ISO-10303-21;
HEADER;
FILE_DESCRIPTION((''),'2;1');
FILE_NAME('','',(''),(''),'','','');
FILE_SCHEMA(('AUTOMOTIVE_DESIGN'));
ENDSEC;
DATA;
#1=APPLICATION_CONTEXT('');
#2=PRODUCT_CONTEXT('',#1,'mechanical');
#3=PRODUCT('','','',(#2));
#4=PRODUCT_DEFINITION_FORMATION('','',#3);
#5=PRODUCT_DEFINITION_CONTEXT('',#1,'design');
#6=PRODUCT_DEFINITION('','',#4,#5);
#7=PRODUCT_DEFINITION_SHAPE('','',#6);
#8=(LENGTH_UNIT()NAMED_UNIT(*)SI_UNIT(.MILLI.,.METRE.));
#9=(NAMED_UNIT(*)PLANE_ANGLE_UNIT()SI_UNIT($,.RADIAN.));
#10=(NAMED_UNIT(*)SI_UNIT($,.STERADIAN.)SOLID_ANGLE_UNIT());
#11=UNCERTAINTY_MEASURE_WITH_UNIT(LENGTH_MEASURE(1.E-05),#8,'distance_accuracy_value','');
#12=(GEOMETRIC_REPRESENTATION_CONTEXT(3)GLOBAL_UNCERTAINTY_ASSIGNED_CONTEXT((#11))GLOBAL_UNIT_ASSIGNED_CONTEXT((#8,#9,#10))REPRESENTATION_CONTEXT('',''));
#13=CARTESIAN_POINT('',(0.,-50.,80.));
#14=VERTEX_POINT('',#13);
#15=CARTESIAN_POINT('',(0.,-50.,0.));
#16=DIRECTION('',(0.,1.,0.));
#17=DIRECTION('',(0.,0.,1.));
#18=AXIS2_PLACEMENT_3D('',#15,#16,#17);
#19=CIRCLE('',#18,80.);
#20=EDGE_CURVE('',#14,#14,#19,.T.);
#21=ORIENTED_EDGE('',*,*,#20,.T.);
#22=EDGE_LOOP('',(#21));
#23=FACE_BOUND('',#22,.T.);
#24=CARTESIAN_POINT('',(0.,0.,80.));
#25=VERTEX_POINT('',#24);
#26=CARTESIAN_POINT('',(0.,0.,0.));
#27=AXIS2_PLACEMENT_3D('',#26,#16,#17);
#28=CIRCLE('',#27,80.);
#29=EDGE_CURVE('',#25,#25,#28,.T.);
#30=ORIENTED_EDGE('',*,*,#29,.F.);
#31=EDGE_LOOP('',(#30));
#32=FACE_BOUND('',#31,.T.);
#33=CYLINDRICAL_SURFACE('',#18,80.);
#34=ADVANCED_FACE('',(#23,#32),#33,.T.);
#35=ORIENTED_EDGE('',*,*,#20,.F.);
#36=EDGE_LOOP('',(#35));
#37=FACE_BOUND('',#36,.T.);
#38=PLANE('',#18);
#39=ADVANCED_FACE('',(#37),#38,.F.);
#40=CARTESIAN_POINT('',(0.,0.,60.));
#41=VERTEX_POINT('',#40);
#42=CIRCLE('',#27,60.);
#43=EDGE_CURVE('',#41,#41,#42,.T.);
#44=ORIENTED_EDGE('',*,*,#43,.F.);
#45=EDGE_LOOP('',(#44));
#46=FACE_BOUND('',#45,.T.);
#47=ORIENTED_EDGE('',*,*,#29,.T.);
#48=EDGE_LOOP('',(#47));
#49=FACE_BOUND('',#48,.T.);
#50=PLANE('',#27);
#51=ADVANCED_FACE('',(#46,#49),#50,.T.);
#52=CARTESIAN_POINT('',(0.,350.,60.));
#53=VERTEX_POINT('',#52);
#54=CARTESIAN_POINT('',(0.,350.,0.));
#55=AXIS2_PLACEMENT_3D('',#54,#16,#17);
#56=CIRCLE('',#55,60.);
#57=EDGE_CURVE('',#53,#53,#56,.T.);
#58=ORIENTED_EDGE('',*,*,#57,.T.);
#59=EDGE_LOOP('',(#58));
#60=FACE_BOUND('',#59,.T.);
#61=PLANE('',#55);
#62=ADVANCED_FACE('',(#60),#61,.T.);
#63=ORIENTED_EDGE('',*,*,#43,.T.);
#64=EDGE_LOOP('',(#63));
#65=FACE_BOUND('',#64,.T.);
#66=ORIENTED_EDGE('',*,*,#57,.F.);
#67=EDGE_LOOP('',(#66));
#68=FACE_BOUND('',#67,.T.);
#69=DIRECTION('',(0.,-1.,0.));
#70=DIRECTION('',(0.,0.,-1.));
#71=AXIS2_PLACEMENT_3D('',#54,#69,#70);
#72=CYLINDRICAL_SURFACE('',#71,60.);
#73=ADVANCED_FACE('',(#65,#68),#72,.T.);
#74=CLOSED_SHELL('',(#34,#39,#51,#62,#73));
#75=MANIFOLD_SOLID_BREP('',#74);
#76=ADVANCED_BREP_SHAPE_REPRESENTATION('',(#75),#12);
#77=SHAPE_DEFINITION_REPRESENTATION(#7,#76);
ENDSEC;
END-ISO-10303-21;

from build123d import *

# Parameters (mm, degrees)
SKETCH_1_R      = 80
EXTRUDE_1_DEPTH = 50
SKETCH_2_R      = 60
EXTRUDE_2_DEPTH = 350


with BuildPart() as part:
    # 草图1 → 凸台-拉伸1 (new body)
    with BuildSketch(Plane(origin=(0, 0, 0), x_dir=(1, 0, 0), z_dir=(0, 1, 0))):
        with Locations(Location((0, 0, 0), (0, 0, 270))):
            Circle(SKETCH_1_R)
    extrude(amount=-EXTRUDE_1_DEPTH)

    # 草图2 → 凸台-拉伸2 (add)
    with BuildSketch(Plane(origin=(0, 0, 0), x_dir=(1, 0, 0), z_dir=(0, 1, 0))):
        with Locations(Location((0, 0, 0), (0, 0, 270))):
            Circle(SKETCH_2_R)
    extrude(amount=EXTRUDE_2_DEPTH)


solid = part.part
